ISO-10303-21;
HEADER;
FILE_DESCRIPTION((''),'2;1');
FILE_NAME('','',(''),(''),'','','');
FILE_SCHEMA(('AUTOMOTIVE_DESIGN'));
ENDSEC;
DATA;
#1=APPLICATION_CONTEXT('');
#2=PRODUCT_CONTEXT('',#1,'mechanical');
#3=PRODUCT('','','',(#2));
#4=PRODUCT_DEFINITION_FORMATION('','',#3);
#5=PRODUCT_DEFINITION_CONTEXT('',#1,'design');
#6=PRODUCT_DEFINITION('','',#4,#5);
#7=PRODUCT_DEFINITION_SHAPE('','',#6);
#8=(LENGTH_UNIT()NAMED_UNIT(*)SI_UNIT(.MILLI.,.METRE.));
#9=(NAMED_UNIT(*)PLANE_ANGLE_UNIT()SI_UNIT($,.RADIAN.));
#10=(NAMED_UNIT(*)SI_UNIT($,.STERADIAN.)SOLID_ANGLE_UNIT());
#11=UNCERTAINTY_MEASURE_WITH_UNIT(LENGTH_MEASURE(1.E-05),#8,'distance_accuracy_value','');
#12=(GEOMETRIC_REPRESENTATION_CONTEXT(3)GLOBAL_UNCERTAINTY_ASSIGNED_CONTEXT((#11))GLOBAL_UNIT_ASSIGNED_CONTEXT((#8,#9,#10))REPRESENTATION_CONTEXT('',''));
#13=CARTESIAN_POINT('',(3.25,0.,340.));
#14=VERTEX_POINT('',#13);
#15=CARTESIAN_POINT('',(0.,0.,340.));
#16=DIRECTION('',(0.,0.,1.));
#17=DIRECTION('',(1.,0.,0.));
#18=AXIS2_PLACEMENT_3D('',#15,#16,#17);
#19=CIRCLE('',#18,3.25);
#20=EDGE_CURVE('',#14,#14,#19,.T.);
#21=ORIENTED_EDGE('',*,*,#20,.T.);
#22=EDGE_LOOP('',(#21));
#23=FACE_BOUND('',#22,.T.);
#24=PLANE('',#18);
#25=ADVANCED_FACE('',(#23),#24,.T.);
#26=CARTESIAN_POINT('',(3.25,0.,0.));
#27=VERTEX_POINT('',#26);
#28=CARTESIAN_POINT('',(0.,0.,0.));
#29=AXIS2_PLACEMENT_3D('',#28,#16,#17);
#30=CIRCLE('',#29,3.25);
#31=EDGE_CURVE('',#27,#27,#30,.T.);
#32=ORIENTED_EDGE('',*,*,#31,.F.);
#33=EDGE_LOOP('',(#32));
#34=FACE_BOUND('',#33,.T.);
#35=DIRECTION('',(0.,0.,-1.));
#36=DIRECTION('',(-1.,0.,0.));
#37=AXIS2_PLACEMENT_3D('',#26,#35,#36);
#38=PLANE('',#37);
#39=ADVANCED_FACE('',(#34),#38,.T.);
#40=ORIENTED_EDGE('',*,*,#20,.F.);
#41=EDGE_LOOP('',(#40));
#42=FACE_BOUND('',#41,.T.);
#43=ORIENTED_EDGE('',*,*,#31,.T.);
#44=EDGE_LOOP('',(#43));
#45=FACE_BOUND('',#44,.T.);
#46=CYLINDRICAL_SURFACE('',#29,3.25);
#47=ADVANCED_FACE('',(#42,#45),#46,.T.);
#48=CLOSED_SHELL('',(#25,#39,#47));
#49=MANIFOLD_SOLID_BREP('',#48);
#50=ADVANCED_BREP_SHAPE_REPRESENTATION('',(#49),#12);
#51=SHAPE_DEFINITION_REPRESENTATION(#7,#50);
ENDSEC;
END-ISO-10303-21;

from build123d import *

# Parameters (mm, degrees)
SKETCH_1_W = 3.25
SKETCH_1_H = 340


with BuildPart() as part:
    # Эскиз1 → Повернуть1 (revolve)
    with BuildSketch(Plane(origin=(0, 0, 0), x_dir=(1, 0, 0), z_dir=(0, 1, 0))):
        with Locations((1.625, -170)):
            Rectangle(SKETCH_1_W, SKETCH_1_H)
    revolve(axis=Axis((0, 0, 0), (0, 0, 1)))


solid = part.part
